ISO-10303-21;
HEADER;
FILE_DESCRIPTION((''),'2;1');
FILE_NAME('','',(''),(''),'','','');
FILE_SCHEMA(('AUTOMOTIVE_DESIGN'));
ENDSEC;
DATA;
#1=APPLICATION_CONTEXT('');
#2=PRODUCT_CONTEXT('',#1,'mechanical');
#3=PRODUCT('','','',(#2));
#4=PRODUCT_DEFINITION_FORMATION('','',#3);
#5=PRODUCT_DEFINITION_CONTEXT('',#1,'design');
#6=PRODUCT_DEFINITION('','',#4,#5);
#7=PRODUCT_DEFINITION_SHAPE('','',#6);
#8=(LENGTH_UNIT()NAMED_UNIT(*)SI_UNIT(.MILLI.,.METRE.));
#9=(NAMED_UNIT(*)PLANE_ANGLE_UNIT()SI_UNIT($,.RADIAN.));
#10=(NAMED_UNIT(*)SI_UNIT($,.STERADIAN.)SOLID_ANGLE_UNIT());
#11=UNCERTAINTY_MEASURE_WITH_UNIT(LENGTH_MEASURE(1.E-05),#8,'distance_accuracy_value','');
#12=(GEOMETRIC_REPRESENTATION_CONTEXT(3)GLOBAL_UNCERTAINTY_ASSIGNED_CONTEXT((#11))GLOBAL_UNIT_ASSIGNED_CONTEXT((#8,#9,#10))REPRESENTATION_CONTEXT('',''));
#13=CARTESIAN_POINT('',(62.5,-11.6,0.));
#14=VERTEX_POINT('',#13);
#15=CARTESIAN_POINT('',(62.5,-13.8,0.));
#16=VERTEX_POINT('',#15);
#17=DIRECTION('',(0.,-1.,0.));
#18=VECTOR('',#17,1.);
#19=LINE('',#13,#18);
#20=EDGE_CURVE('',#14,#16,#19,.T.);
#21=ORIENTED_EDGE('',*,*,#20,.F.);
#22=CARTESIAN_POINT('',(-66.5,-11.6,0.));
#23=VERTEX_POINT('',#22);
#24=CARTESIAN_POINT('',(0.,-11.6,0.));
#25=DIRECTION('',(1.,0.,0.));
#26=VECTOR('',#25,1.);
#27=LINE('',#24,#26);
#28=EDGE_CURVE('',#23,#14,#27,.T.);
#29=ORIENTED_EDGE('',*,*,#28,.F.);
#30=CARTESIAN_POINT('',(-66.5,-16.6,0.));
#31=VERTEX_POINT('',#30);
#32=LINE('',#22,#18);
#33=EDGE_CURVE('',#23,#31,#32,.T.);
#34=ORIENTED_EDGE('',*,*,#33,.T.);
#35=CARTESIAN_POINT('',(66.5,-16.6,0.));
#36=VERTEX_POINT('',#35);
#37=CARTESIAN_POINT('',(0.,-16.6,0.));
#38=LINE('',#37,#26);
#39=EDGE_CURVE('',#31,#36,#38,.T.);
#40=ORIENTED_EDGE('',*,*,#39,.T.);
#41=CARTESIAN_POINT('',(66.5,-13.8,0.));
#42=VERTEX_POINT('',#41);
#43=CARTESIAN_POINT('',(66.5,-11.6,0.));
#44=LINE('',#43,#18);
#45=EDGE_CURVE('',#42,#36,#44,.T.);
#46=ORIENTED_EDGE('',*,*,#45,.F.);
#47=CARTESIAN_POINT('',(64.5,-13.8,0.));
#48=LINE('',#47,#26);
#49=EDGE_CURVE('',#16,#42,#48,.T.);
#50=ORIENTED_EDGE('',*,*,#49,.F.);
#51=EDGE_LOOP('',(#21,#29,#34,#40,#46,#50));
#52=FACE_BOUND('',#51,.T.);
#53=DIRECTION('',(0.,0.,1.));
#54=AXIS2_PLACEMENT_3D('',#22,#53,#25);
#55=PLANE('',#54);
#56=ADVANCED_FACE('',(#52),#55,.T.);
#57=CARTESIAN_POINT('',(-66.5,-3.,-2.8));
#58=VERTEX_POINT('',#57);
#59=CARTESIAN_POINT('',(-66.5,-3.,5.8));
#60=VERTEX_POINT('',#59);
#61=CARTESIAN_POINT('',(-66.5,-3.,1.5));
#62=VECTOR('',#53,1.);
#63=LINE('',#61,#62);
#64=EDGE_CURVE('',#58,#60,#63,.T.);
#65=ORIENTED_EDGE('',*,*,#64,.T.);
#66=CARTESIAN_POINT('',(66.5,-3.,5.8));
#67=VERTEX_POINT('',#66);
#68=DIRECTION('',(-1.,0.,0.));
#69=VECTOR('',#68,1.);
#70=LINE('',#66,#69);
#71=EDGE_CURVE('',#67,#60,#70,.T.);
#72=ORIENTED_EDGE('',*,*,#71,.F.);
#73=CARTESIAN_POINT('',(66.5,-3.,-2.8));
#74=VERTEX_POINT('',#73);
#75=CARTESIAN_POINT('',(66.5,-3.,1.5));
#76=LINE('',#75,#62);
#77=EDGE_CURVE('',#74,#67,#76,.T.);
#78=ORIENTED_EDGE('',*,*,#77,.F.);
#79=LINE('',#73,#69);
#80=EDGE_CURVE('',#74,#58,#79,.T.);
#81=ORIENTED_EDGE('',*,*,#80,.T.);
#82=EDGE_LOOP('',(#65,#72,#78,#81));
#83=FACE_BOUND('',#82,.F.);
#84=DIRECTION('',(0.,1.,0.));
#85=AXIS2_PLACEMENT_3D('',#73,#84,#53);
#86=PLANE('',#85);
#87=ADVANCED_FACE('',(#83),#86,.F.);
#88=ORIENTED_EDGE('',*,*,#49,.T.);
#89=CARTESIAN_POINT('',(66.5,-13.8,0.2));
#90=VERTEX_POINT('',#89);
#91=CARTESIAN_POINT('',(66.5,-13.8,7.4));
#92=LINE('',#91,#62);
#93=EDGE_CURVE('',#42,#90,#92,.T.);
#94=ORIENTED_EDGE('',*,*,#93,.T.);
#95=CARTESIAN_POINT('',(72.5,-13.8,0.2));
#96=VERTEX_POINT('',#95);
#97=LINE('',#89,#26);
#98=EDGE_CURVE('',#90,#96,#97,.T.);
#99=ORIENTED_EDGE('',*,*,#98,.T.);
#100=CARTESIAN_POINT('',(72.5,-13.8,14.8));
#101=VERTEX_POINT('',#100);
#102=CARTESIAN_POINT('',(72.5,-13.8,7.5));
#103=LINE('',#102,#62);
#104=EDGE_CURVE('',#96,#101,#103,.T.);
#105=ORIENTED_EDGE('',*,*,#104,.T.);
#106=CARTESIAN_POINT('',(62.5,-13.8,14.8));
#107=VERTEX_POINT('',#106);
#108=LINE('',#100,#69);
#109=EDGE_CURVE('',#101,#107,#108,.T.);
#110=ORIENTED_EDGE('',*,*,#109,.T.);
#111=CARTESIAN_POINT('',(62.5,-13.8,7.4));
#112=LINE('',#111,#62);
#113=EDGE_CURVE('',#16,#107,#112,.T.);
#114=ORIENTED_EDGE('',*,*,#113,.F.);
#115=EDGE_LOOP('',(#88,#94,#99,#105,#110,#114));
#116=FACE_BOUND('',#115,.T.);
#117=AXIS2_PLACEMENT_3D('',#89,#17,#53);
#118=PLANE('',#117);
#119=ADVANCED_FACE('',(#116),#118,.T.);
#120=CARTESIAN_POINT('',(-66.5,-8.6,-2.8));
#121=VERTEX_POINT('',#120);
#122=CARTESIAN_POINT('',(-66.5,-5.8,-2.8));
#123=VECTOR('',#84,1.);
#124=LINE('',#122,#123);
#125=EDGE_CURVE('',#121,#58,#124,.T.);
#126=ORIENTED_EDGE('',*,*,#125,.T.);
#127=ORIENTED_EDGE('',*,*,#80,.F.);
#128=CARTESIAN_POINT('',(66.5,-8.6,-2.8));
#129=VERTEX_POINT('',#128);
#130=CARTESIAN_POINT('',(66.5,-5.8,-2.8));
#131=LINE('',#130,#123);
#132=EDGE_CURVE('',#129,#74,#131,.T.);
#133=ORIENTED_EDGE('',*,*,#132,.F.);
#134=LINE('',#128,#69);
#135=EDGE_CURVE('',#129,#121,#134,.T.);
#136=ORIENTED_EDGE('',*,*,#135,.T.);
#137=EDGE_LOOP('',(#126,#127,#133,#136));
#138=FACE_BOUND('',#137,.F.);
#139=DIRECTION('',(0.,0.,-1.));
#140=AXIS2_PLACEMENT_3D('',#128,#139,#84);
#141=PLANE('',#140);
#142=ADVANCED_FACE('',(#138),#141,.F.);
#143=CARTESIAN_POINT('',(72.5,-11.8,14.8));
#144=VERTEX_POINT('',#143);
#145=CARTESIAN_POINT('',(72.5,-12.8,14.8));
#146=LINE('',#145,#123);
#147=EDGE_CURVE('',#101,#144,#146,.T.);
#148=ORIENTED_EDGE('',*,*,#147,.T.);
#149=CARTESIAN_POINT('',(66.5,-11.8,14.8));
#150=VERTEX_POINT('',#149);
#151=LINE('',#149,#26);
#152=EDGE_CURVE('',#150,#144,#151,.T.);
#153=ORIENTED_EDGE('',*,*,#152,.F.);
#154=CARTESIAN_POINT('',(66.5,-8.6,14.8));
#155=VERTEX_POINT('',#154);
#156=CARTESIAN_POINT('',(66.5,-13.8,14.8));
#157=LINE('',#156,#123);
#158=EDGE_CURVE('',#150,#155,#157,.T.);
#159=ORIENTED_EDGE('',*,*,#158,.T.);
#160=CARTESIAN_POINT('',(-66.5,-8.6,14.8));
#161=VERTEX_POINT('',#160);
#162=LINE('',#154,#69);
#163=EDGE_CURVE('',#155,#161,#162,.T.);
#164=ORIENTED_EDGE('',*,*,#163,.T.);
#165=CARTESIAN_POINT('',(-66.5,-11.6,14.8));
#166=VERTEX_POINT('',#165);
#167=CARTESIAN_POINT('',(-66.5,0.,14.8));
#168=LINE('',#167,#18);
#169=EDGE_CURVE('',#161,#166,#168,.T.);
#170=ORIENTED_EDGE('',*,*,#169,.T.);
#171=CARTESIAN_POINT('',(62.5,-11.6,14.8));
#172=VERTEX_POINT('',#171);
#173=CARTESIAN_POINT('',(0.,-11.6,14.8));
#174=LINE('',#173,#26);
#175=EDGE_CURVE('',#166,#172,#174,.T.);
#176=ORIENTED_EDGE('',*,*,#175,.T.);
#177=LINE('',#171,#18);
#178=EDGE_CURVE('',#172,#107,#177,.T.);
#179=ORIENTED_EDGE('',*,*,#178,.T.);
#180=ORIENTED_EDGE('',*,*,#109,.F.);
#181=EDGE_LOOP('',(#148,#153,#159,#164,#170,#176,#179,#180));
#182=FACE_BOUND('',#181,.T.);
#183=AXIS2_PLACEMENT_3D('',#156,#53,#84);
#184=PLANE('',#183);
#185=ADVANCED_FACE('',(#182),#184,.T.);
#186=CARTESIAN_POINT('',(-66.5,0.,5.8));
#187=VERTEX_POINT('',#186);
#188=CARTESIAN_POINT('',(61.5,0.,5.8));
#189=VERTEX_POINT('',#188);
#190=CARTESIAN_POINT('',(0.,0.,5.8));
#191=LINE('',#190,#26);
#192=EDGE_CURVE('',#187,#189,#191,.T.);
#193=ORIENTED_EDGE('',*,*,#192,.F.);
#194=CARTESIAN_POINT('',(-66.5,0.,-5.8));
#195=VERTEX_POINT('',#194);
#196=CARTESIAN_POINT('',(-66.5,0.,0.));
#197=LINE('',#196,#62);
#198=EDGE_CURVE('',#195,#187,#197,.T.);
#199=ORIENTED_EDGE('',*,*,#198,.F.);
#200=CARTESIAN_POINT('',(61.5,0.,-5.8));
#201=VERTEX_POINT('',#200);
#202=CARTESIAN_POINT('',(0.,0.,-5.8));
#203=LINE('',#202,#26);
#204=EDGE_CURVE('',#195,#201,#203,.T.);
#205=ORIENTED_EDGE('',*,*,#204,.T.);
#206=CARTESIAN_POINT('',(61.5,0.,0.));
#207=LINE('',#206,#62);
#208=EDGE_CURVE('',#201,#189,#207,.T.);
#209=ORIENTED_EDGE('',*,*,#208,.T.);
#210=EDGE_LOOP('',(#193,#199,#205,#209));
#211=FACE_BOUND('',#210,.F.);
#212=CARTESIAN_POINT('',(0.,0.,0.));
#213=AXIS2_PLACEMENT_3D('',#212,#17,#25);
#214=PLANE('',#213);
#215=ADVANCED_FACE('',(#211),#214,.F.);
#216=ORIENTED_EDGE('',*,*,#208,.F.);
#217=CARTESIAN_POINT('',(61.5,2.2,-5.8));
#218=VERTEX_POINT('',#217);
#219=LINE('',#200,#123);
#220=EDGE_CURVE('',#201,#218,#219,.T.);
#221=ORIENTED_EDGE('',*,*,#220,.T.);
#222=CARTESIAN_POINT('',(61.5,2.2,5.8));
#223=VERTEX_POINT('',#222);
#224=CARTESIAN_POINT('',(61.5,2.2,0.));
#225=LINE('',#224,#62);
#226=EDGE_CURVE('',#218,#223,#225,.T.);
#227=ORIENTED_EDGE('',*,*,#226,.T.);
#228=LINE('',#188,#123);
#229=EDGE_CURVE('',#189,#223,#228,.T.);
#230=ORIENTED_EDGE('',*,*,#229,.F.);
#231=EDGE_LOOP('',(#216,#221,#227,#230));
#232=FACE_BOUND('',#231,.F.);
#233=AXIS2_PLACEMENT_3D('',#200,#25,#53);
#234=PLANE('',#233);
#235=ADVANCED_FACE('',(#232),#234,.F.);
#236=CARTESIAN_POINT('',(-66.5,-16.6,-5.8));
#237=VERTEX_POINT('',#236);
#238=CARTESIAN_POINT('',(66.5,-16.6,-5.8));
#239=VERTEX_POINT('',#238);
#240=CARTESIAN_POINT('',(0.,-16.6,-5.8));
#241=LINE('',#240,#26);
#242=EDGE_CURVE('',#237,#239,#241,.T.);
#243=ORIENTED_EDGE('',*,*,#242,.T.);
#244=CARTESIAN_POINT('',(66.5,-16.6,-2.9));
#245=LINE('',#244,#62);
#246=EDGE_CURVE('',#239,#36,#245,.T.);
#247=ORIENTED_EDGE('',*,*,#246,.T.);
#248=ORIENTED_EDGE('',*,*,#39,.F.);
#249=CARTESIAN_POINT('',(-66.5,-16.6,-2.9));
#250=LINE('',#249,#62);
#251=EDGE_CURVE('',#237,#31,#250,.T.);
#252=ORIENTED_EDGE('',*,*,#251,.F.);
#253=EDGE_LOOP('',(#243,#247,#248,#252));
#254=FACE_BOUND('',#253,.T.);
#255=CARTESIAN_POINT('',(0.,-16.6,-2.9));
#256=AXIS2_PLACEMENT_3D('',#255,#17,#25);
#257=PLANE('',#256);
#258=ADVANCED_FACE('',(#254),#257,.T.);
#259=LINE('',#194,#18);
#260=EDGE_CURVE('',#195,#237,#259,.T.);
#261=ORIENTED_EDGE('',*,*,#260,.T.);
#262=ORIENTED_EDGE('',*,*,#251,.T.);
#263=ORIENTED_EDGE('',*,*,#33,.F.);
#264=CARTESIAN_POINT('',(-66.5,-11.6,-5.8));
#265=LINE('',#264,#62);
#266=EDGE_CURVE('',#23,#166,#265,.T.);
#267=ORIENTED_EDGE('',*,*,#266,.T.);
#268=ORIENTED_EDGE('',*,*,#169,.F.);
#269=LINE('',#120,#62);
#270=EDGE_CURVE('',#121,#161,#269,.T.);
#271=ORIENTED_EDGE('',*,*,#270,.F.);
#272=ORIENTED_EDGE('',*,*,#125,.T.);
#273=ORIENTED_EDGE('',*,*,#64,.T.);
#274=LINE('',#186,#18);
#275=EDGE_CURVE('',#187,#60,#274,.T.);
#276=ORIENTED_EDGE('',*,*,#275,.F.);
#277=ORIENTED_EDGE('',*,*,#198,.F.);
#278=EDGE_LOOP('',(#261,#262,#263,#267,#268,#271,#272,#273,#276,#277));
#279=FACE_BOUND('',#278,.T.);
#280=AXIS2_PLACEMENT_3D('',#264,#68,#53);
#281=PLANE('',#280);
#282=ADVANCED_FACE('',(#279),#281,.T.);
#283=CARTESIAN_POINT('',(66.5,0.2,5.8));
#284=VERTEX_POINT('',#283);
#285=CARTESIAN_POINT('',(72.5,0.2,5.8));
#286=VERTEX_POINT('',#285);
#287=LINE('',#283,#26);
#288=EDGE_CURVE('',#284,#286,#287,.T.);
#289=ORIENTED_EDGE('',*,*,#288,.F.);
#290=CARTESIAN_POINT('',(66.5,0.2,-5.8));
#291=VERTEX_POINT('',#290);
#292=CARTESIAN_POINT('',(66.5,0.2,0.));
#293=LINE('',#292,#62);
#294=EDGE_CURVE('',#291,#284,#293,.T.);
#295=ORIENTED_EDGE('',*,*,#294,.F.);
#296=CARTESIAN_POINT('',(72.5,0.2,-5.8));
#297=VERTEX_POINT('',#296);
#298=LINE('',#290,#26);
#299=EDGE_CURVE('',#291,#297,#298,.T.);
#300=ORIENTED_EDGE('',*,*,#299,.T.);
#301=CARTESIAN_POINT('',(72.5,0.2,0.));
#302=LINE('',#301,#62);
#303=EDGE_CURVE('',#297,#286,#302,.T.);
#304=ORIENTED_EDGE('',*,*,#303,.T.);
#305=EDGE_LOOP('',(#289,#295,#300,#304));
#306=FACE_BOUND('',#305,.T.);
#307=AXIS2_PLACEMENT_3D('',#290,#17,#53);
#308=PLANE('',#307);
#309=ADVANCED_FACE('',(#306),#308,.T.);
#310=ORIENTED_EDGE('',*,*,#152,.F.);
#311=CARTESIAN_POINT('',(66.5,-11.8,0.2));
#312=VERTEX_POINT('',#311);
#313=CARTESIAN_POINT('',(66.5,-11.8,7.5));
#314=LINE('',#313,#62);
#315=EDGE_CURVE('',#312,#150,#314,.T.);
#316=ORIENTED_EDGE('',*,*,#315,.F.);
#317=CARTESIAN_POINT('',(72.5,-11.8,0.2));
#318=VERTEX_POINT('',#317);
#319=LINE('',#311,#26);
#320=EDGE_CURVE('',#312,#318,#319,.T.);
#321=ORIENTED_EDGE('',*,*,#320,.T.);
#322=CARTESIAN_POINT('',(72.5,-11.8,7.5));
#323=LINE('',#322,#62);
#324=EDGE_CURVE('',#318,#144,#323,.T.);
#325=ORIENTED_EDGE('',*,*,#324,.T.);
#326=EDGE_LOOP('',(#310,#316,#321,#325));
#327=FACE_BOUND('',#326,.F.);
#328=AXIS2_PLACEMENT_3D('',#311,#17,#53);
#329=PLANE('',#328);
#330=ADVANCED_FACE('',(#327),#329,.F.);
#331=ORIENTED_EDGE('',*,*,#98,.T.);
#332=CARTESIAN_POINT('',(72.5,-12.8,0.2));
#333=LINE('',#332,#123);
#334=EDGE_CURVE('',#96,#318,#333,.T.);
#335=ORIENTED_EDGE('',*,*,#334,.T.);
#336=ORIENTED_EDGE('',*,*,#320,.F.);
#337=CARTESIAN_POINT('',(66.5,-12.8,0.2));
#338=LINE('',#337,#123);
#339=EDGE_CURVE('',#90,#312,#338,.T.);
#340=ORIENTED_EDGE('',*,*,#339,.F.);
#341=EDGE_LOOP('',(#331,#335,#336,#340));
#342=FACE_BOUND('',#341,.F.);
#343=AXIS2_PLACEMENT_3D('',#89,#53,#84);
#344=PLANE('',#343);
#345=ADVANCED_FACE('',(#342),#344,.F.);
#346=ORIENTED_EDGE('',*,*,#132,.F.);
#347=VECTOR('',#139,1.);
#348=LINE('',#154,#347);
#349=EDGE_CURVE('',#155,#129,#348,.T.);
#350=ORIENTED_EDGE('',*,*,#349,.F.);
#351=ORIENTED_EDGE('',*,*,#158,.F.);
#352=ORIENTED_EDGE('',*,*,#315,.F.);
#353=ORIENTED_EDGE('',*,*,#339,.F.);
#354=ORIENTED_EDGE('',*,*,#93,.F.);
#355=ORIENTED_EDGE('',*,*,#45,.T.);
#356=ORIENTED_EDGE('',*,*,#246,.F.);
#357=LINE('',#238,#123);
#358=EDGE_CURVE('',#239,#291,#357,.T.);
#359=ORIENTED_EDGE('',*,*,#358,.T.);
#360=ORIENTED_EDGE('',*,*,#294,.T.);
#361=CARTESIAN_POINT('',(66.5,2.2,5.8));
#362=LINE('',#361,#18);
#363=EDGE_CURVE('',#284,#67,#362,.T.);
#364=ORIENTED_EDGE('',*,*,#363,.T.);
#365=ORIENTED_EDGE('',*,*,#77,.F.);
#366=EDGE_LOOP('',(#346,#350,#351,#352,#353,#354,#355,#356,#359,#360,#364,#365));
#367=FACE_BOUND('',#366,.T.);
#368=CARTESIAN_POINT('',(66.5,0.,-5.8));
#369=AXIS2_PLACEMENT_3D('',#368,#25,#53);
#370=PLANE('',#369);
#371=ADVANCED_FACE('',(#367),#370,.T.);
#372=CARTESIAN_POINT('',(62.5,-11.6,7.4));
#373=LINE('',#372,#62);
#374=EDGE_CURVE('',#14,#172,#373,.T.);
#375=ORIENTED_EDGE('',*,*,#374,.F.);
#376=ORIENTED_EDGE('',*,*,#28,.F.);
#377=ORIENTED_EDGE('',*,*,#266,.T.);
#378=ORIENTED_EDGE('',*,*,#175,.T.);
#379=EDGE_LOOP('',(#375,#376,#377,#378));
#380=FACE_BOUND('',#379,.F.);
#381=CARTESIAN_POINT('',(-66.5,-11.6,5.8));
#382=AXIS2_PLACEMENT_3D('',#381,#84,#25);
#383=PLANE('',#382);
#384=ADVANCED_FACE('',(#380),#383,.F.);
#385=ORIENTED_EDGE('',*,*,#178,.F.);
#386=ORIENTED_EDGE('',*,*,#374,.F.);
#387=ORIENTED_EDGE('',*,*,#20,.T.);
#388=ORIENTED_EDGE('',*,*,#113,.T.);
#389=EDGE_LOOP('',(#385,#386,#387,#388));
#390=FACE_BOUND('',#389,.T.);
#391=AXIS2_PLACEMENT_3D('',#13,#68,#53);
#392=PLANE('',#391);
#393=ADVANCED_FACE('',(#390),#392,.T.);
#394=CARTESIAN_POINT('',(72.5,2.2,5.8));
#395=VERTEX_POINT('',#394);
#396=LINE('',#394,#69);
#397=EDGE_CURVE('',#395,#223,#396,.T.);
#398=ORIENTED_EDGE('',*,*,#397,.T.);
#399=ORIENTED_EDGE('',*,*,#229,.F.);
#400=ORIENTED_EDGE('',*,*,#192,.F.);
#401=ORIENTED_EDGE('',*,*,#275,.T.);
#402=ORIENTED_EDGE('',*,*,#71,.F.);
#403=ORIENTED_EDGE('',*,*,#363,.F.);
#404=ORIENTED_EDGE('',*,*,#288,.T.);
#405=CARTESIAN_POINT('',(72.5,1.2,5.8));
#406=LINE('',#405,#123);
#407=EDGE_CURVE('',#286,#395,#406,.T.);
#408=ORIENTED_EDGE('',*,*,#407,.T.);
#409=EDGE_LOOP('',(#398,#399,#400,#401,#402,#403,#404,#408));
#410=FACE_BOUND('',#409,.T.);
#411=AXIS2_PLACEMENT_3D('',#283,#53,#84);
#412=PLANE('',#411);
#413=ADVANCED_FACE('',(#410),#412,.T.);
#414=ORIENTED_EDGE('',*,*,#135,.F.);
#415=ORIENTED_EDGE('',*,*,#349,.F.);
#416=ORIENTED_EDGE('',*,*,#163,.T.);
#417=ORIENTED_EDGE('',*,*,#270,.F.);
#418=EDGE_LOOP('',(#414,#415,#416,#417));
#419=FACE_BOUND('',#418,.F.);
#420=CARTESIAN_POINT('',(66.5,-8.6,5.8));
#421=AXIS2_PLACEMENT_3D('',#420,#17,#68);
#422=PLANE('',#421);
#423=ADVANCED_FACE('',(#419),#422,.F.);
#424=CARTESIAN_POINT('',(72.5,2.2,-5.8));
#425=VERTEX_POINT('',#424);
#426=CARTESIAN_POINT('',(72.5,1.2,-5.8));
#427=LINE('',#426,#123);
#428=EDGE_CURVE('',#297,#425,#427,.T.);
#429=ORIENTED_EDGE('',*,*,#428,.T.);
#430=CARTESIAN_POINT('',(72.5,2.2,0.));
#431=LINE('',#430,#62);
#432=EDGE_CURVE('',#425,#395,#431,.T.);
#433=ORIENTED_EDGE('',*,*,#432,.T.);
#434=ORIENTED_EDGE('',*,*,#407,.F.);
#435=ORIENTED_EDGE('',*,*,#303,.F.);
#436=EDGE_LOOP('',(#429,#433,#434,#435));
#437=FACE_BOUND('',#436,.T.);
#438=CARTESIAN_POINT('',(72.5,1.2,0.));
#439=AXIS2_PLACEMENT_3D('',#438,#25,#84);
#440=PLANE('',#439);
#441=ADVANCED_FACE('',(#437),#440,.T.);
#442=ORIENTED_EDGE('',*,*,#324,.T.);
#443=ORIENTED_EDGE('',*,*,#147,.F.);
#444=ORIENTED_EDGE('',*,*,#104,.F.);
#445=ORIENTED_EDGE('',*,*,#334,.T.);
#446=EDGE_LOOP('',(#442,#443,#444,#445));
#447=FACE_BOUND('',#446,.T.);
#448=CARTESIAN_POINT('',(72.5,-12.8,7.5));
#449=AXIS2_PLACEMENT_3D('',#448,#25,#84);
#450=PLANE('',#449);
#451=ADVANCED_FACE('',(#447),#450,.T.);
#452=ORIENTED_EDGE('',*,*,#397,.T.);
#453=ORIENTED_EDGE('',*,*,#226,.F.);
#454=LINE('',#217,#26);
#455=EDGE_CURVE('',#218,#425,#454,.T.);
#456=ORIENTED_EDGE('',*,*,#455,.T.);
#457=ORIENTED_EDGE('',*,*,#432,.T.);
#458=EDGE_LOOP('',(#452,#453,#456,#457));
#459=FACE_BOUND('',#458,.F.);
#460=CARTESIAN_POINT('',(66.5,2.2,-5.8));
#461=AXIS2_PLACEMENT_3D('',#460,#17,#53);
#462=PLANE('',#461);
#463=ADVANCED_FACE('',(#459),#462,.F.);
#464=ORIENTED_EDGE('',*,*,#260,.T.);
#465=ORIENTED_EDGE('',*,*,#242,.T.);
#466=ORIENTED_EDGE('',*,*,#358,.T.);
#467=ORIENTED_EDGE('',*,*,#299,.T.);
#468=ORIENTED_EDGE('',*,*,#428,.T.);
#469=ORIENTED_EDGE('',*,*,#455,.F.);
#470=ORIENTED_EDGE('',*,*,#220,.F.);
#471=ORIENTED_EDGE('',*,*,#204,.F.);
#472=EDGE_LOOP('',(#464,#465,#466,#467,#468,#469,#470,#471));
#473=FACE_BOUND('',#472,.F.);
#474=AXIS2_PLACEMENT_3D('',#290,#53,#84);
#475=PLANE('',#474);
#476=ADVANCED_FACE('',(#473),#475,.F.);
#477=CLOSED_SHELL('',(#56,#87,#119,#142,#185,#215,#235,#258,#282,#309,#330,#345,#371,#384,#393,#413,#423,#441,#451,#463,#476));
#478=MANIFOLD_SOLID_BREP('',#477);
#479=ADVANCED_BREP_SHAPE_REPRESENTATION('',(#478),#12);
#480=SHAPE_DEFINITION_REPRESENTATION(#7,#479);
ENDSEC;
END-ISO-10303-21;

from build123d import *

# Parameters (mm, degrees)
F0_W      = 133
F0_H      = 11.6
F1_DEPTH  = 11.6
F2_W      = 5.6
F2_H      = 8.6
F3_DEPTH  = 133
F4_DEPTH  = 9
F5_W      = 133
F5_H      = 5.8
F6_DEPTH  = 5
F8_W      = 4
F8_H      = 14.8
F9_DEPTH  = 2.2
F10_W     = 2
F10_H     = 14.6
F11_DEPTH = 6
F12_W     = 5
F12_H     = 11.6
F13_DEPTH = 2.2
F14_W     = 2
F14_H     = 11.6
F15_DEPTH = 6


with BuildPart() as f1:
    # F0 (on Front) → F1 (new body)
    with BuildSketch(Plane.XZ):
        Rectangle(F0_W, F0_H)
    extrude(amount=F1_DEPTH)

    # F2 (on face) → F3 (cut)
    with BuildSketch(Plane.YZ.offset(66.5)):
        with Locations((-5.8, 1.5)):
            Rectangle(F2_W, F2_H)
    extrude(amount=-F3_DEPTH, mode=Mode.SUBTRACT)

    # F4 (add): a face of the model
    f4_faces = [f1.faces().sort_by_distance(p)[0] for p in [
        (0, -10.1, 5.8),
    ]]
    extrude(f4_faces, amount=F4_DEPTH)

    # F5 (on face) → F6 (join)
    with BuildSketch(Plane.XZ.offset(11.6)):
        with Locations((0, -2.9)):
            Rectangle(F5_W, F5_H)
    extrude(amount=F6_DEPTH)

    # F8 (on face) → F9 (join)
    with BuildSketch(Plane.XZ.offset(11.6)):
        with Locations((64.5, 7.4)):
            Rectangle(F8_W, F8_H)
    extrude(amount=F9_DEPTH)

    # F10 (on face) → F11 (join)
    with BuildSketch(Plane.YZ.offset(66.5)):
        with Locations((-12.8, 7.5)):
            Rectangle(F10_W, F10_H)
    extrude(amount=F11_DEPTH)

    # F12 (on face) → F13 (join)
    with BuildSketch(Plane(origin=(0, 0, 0), x_dir=(-1, 0, 0), z_dir=(0, 1, 0))):
        with Locations((-64, 0)):
            Rectangle(F12_W, F12_H)
    extrude(amount=F13_DEPTH)

    # F14 (on face) → F15 (join)
    with BuildSketch(Plane.YZ.offset(66.5)):
        with Locations((1.2, 0)):
            Rectangle(F14_W, F14_H)
    extrude(amount=F15_DEPTH)


solid = f1.part
